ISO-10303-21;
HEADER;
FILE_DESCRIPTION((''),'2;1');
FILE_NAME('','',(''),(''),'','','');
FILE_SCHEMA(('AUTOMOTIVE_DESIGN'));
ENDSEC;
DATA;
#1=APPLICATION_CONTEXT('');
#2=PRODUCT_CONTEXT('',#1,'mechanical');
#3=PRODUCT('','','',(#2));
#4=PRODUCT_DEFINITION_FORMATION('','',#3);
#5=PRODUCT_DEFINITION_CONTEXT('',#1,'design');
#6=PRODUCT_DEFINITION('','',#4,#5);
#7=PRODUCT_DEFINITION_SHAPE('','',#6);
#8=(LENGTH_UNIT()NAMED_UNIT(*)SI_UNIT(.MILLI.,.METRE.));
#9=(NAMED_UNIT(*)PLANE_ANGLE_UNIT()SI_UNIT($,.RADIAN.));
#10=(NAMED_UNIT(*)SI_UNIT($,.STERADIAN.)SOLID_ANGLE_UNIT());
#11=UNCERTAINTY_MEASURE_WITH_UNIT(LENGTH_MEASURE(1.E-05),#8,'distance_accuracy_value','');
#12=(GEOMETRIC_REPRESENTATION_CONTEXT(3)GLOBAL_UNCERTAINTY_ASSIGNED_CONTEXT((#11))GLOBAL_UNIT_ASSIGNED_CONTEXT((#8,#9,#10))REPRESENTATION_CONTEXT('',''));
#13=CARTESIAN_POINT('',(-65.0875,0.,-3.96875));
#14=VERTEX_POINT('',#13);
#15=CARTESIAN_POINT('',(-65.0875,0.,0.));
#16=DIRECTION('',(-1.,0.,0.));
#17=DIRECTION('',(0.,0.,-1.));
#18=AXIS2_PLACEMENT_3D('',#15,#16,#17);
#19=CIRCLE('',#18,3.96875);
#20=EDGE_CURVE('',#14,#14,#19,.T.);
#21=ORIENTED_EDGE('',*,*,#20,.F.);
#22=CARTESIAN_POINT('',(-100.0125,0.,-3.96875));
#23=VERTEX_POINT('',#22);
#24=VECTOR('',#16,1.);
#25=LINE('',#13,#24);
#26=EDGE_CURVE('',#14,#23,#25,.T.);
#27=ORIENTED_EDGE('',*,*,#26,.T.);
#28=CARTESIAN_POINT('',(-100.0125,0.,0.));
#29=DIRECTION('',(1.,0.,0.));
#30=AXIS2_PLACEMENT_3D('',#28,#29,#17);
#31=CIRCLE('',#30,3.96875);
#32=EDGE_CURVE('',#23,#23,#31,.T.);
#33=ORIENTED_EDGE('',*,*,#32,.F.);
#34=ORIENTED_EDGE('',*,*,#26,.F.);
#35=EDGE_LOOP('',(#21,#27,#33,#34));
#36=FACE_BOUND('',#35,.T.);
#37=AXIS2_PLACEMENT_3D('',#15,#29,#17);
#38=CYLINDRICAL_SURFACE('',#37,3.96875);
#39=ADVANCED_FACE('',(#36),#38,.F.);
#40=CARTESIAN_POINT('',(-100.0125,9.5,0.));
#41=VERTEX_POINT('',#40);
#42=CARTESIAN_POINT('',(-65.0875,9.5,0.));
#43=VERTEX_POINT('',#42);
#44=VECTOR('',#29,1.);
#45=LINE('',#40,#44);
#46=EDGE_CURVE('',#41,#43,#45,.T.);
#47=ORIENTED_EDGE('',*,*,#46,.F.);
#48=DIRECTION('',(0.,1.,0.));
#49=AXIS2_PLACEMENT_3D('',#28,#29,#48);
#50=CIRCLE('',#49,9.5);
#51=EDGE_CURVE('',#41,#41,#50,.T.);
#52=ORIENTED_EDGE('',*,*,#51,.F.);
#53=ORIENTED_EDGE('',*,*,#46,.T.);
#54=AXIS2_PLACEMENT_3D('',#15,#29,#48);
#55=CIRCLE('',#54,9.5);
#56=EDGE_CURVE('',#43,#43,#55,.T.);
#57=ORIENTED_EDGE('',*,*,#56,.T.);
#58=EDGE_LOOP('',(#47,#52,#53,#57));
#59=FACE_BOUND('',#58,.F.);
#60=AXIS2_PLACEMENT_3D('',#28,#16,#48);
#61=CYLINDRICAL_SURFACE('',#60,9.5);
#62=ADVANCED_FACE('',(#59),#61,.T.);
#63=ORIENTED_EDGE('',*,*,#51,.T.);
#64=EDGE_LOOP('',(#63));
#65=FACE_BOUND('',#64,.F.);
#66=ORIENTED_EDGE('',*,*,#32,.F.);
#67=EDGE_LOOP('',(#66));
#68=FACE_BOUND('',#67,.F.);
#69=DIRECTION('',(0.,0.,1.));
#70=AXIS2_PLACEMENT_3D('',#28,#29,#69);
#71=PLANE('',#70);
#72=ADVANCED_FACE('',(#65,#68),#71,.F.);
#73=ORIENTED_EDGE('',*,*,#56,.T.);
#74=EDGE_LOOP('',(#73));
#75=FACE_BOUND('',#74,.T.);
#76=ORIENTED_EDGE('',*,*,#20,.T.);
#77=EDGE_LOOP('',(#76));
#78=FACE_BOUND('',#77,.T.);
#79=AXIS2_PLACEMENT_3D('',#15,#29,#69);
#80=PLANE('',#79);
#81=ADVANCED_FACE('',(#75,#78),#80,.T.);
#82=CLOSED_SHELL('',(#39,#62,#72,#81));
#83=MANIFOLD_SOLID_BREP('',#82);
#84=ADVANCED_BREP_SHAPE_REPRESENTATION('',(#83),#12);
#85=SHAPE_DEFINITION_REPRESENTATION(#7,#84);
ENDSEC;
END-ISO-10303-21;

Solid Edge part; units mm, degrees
sketch "Sketch1" plane through (-100.0125, 0, 0) normal (1, 0, 0) x (0, 1, 0)
  circle A0 centre (0, 0) radius 9.5
  dimension "D1" = 19
extrude "ExtrudedProtrusion_1" add sketch "Sketch1" along normal blind 34.925
hole "Hole_3" at (-65.0875, 0, 0) direction (-1, 0, 0) diameter 7.9375 end up to next
properties material "Steel"
